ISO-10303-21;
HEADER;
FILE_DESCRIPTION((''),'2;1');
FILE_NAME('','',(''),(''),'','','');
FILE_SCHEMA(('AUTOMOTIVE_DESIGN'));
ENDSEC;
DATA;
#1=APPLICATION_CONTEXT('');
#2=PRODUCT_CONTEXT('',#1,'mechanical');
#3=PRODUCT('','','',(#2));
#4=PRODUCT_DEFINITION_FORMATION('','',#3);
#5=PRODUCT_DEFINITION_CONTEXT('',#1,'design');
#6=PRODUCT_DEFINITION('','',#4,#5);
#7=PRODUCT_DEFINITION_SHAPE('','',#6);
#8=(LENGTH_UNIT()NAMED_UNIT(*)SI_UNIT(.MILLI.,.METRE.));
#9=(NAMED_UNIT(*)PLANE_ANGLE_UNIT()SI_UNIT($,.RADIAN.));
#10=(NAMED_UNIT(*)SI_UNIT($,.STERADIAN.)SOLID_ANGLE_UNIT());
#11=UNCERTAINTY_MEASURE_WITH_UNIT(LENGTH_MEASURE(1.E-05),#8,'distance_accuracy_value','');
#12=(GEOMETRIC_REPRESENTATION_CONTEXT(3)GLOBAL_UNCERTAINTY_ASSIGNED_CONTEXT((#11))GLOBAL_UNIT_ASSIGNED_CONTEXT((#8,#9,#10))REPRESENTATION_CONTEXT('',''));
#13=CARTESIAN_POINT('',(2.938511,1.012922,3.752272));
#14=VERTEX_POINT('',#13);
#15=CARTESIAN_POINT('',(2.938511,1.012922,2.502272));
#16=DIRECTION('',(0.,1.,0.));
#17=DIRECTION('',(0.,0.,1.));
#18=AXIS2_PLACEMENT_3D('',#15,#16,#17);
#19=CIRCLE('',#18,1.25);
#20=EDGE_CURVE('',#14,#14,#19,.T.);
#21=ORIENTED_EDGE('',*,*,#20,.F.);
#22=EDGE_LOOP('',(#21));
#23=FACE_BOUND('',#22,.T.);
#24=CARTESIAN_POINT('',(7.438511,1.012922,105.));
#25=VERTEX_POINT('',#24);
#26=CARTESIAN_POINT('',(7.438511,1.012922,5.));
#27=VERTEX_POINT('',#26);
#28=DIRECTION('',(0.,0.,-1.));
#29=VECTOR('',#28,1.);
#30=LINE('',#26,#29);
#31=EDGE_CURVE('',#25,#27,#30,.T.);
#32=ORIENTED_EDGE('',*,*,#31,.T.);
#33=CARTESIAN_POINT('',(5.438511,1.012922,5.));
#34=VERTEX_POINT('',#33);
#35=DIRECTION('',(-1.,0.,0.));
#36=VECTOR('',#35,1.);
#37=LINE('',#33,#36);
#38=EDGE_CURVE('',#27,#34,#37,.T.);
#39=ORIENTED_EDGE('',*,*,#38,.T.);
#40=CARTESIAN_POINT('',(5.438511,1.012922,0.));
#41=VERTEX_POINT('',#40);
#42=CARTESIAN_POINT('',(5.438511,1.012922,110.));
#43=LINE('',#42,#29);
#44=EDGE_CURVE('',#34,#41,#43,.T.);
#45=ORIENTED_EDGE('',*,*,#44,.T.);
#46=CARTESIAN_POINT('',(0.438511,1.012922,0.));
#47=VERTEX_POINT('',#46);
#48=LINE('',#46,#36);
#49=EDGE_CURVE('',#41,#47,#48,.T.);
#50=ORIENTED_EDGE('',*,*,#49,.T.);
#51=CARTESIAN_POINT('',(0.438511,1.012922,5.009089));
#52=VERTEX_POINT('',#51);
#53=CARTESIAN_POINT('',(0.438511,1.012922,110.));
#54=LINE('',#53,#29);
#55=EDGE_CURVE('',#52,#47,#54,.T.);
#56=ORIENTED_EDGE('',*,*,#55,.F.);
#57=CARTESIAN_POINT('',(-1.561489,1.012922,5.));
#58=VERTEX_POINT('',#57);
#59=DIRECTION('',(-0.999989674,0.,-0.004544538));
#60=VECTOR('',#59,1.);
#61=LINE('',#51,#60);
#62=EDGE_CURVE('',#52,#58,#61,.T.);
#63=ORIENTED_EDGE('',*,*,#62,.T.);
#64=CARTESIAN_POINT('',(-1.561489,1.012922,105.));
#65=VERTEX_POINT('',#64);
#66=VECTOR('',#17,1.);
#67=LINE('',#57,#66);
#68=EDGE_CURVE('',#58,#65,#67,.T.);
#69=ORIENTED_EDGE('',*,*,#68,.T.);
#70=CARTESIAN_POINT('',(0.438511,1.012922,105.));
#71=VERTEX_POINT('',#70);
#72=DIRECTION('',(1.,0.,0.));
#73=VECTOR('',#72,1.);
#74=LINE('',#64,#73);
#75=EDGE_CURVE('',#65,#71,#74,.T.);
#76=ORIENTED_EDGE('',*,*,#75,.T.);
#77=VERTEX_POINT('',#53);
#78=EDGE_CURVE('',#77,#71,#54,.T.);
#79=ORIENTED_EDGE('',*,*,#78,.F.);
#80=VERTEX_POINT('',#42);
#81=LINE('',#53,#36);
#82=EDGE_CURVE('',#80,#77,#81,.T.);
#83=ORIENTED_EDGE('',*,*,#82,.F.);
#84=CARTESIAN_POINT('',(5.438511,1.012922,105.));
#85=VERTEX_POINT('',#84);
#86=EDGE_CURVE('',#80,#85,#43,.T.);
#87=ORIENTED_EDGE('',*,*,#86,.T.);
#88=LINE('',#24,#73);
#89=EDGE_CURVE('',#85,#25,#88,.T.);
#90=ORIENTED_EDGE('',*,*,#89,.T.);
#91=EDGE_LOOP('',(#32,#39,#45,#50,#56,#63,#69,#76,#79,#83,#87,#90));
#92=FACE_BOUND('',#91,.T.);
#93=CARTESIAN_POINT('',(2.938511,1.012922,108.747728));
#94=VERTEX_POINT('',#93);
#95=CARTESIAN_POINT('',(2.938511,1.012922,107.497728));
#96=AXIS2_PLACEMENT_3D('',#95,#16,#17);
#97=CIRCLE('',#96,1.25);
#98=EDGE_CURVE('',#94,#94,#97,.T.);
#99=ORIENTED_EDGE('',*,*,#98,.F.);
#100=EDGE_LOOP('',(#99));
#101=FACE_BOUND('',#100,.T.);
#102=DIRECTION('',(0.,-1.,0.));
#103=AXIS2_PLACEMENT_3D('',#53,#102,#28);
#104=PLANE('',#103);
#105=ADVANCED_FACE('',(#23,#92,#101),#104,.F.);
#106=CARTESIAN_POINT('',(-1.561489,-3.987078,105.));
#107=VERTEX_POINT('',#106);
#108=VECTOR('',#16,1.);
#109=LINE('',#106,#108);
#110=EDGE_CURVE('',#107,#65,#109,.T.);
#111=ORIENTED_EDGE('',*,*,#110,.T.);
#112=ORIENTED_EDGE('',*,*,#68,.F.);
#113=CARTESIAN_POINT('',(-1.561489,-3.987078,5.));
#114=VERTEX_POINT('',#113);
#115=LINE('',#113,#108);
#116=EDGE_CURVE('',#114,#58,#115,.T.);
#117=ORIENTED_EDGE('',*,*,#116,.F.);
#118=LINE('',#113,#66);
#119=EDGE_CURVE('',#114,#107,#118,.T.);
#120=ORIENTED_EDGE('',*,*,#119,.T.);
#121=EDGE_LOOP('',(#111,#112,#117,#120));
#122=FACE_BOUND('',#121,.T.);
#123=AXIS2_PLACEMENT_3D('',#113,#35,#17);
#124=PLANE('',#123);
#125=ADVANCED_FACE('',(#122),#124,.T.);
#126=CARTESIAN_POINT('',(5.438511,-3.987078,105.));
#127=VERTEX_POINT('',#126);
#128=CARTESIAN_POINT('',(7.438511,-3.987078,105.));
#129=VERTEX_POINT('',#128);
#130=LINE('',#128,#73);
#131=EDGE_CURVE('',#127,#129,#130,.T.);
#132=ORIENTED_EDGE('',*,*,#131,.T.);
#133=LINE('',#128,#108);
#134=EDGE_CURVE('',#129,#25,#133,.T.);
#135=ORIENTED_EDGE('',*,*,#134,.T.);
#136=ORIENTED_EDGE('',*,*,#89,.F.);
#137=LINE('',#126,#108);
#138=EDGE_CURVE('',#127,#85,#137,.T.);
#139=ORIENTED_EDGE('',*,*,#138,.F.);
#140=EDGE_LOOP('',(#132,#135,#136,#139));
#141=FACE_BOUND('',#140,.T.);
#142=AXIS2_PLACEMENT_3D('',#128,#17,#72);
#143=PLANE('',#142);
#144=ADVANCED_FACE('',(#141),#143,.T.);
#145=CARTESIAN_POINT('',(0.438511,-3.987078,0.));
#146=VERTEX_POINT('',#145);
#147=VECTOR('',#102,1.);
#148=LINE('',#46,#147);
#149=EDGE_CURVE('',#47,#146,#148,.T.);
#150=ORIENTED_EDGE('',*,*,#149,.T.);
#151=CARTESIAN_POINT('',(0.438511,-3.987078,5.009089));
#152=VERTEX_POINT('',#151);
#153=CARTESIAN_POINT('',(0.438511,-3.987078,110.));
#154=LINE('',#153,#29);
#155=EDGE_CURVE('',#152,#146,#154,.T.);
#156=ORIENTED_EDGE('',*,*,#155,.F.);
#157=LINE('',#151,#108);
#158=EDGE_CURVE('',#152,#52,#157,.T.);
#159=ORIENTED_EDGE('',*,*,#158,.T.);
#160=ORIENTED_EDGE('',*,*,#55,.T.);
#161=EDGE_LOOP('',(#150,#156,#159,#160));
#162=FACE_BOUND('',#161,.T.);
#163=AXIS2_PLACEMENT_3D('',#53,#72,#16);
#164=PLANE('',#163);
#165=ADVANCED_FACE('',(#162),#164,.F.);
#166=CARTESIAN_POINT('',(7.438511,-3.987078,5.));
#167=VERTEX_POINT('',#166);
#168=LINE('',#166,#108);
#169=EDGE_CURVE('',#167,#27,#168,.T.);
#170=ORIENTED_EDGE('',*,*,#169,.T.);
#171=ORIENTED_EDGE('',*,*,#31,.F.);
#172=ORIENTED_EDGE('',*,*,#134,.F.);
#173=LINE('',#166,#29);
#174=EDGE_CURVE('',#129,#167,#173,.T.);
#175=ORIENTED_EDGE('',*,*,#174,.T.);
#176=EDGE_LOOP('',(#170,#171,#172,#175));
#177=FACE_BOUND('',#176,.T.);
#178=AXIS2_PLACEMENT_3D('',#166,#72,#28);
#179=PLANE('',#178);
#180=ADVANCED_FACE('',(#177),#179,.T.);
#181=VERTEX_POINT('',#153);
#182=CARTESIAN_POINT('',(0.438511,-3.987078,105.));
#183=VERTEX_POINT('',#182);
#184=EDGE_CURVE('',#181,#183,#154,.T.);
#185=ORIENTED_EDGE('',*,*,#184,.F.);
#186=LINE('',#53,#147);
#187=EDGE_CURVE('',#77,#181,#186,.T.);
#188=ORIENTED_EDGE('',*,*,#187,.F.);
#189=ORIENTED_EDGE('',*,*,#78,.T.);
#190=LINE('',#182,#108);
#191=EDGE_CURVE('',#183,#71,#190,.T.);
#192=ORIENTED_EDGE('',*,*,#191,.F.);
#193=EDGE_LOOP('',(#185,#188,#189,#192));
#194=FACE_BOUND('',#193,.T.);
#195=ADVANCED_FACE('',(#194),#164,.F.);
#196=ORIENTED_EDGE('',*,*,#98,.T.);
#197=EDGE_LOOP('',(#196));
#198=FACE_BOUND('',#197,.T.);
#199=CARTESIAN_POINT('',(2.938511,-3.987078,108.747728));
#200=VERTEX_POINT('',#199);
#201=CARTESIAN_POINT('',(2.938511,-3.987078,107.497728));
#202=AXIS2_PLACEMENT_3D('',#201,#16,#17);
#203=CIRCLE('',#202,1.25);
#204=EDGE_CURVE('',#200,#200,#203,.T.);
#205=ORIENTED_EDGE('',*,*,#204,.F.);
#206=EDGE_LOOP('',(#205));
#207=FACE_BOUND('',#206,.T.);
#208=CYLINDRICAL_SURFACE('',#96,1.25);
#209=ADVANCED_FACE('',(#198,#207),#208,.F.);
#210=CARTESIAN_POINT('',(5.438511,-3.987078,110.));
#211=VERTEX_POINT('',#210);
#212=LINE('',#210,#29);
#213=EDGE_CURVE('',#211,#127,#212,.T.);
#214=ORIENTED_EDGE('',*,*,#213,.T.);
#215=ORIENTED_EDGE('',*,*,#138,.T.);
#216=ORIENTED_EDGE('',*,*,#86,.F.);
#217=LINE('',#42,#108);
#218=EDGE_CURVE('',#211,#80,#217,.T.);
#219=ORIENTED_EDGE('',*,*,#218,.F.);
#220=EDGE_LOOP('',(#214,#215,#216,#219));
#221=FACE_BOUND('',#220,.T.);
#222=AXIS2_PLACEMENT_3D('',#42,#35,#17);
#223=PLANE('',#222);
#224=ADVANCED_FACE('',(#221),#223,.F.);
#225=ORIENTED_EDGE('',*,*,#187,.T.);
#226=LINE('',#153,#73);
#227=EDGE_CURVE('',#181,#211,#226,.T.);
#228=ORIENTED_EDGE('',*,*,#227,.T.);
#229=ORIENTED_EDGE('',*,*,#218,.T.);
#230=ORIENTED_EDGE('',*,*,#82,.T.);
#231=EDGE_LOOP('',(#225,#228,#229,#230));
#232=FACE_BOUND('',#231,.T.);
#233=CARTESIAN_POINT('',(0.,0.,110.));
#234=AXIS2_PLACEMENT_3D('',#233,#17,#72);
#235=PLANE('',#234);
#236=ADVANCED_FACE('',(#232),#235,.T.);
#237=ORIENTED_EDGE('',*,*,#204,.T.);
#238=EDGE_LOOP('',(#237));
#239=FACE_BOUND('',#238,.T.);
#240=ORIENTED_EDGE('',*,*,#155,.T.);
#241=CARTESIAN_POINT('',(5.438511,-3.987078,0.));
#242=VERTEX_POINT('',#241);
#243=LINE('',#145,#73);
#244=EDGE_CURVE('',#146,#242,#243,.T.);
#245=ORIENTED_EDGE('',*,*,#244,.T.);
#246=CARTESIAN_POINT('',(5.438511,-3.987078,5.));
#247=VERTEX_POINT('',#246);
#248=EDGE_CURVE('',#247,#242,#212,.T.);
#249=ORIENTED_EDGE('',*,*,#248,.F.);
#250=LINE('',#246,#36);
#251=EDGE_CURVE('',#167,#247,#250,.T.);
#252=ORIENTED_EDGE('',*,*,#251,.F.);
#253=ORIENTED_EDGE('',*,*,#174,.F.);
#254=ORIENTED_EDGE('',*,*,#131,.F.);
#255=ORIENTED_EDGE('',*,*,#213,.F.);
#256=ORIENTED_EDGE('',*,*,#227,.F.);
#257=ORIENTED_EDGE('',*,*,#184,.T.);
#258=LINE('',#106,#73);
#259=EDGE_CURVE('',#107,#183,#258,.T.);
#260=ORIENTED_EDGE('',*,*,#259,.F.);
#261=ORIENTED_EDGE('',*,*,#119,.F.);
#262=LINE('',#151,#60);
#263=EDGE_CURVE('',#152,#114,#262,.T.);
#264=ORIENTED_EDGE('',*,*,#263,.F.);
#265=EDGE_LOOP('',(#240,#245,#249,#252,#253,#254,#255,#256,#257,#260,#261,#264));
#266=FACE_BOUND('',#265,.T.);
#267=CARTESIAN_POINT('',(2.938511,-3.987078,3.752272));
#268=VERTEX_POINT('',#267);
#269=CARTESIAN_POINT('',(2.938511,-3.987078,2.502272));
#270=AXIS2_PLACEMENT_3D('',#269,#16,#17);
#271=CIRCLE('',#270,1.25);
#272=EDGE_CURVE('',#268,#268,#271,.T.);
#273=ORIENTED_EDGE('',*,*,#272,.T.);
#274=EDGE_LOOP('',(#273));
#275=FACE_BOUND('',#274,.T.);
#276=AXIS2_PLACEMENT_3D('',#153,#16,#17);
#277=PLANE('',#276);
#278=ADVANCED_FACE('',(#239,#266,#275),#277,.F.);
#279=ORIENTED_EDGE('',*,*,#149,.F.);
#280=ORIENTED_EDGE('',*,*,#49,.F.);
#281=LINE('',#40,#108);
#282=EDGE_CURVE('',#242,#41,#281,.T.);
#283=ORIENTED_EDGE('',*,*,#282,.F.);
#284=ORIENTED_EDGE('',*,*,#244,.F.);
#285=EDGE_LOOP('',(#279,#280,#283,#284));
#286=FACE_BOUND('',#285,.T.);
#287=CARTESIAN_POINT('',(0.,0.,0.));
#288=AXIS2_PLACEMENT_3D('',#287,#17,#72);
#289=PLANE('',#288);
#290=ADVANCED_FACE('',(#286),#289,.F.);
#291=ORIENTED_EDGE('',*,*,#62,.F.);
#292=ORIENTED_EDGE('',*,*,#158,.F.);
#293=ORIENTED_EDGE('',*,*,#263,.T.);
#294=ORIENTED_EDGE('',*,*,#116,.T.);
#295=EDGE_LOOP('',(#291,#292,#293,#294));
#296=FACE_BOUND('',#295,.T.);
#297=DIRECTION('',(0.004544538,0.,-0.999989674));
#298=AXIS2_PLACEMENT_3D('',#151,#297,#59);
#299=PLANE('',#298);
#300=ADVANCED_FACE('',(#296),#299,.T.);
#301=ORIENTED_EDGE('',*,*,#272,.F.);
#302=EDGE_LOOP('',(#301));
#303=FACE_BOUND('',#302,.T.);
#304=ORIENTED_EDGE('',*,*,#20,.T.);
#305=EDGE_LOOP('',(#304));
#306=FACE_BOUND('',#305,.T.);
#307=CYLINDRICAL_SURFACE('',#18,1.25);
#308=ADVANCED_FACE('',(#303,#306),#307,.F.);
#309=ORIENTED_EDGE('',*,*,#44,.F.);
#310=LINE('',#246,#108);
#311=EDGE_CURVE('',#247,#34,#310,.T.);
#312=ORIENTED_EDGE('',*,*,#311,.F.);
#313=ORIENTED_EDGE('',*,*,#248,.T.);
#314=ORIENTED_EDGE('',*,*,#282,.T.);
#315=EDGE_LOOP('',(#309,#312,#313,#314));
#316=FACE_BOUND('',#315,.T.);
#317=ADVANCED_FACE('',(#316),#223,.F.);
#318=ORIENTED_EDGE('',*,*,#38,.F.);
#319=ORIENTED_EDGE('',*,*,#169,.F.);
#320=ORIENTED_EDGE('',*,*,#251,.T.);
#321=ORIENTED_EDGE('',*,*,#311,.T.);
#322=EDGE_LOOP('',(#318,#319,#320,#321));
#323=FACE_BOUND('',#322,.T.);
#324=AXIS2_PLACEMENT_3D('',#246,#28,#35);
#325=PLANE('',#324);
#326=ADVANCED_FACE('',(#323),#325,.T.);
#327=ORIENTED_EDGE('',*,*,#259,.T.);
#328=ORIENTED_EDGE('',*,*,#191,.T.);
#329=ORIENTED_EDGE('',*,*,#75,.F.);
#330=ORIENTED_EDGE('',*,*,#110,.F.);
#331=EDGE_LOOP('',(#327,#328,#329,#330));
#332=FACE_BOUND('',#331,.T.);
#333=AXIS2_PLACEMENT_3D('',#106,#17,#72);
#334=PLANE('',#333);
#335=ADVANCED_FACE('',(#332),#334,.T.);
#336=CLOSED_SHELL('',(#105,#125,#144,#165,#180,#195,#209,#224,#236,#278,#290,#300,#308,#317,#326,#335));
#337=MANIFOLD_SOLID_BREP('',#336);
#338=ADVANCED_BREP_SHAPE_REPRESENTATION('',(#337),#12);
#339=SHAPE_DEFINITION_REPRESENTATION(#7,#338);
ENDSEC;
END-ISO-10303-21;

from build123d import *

# Parameters (mm, degrees)
SKETCH1_W           = 5
SKETCH1_H           = 5
BOSS_EXTRUDE1_DEPTH = 110
SKETCH2_W           = 2
SKETCH2_H           = 100
BOSS_EXTRUDE2_DEPTH = 5
BOSS_EXTRUDE3_DEPTH = 5


with BuildPart() as part:
    # Sketch1 → Boss-Extrude1 (new body)
    with BuildSketch(Plane.XY):
        with Locations((2.938510718, -1.487078427)):
            Rectangle(SKETCH1_W, SKETCH1_H)
    extrude(amount=BOSS_EXTRUDE1_DEPTH)

    # Sketch2 → Boss-Extrude2 (add)
    with BuildSketch(Plane(origin=(0, 1.012921573, 0), x_dir=(1, 0, 0), z_dir=(0, 1, 0))):
        with Locations((6.438510718, -55)):
            Rectangle(SKETCH2_W, SKETCH2_H)
    extrude(amount=-BOSS_EXTRUDE2_DEPTH)

    # Sketch3 → Boss-Extrude3 (add)
    with BuildSketch(Plane(origin=(0, 1.012921573, 0), x_dir=(1, 0, 0), z_dir=(0, 1, 0))):
        Polygon((0.438510718, -5.009089169), (-1.561489282, -5), (-1.561489282, -105), (0.438510718, -105), align=None)
    extrude(amount=-BOSS_EXTRUDE3_DEPTH)

    # Sketch6 → M3 Tapped Hole1 (revolve, cut)
    with BuildSketch(Plane(origin=(2.938510718, 1.012921573, 2.502272292), x_dir=(0, 0, 1), z_dir=(1, 0, 0))):
        Polygon((0, 0), (0, 8.751075774), (1.25, 8), (1.25, 0), align=None)
    m3_tapped_hole1 = revolve(axis=Axis((2.938510718, 7.362921573, 2.502272292), (0, -1, 0)), mode=Mode.SUBTRACT)

    # Mirror1: M3 Tapped Hole1 across plane
    add(m3_tapped_hole1.mirror(Plane(origin=(0, 0, 55), x_dir=(1, 0, 0), z_dir=(0, 0, -1))), mode=Mode.SUBTRACT)


solid = part.part
